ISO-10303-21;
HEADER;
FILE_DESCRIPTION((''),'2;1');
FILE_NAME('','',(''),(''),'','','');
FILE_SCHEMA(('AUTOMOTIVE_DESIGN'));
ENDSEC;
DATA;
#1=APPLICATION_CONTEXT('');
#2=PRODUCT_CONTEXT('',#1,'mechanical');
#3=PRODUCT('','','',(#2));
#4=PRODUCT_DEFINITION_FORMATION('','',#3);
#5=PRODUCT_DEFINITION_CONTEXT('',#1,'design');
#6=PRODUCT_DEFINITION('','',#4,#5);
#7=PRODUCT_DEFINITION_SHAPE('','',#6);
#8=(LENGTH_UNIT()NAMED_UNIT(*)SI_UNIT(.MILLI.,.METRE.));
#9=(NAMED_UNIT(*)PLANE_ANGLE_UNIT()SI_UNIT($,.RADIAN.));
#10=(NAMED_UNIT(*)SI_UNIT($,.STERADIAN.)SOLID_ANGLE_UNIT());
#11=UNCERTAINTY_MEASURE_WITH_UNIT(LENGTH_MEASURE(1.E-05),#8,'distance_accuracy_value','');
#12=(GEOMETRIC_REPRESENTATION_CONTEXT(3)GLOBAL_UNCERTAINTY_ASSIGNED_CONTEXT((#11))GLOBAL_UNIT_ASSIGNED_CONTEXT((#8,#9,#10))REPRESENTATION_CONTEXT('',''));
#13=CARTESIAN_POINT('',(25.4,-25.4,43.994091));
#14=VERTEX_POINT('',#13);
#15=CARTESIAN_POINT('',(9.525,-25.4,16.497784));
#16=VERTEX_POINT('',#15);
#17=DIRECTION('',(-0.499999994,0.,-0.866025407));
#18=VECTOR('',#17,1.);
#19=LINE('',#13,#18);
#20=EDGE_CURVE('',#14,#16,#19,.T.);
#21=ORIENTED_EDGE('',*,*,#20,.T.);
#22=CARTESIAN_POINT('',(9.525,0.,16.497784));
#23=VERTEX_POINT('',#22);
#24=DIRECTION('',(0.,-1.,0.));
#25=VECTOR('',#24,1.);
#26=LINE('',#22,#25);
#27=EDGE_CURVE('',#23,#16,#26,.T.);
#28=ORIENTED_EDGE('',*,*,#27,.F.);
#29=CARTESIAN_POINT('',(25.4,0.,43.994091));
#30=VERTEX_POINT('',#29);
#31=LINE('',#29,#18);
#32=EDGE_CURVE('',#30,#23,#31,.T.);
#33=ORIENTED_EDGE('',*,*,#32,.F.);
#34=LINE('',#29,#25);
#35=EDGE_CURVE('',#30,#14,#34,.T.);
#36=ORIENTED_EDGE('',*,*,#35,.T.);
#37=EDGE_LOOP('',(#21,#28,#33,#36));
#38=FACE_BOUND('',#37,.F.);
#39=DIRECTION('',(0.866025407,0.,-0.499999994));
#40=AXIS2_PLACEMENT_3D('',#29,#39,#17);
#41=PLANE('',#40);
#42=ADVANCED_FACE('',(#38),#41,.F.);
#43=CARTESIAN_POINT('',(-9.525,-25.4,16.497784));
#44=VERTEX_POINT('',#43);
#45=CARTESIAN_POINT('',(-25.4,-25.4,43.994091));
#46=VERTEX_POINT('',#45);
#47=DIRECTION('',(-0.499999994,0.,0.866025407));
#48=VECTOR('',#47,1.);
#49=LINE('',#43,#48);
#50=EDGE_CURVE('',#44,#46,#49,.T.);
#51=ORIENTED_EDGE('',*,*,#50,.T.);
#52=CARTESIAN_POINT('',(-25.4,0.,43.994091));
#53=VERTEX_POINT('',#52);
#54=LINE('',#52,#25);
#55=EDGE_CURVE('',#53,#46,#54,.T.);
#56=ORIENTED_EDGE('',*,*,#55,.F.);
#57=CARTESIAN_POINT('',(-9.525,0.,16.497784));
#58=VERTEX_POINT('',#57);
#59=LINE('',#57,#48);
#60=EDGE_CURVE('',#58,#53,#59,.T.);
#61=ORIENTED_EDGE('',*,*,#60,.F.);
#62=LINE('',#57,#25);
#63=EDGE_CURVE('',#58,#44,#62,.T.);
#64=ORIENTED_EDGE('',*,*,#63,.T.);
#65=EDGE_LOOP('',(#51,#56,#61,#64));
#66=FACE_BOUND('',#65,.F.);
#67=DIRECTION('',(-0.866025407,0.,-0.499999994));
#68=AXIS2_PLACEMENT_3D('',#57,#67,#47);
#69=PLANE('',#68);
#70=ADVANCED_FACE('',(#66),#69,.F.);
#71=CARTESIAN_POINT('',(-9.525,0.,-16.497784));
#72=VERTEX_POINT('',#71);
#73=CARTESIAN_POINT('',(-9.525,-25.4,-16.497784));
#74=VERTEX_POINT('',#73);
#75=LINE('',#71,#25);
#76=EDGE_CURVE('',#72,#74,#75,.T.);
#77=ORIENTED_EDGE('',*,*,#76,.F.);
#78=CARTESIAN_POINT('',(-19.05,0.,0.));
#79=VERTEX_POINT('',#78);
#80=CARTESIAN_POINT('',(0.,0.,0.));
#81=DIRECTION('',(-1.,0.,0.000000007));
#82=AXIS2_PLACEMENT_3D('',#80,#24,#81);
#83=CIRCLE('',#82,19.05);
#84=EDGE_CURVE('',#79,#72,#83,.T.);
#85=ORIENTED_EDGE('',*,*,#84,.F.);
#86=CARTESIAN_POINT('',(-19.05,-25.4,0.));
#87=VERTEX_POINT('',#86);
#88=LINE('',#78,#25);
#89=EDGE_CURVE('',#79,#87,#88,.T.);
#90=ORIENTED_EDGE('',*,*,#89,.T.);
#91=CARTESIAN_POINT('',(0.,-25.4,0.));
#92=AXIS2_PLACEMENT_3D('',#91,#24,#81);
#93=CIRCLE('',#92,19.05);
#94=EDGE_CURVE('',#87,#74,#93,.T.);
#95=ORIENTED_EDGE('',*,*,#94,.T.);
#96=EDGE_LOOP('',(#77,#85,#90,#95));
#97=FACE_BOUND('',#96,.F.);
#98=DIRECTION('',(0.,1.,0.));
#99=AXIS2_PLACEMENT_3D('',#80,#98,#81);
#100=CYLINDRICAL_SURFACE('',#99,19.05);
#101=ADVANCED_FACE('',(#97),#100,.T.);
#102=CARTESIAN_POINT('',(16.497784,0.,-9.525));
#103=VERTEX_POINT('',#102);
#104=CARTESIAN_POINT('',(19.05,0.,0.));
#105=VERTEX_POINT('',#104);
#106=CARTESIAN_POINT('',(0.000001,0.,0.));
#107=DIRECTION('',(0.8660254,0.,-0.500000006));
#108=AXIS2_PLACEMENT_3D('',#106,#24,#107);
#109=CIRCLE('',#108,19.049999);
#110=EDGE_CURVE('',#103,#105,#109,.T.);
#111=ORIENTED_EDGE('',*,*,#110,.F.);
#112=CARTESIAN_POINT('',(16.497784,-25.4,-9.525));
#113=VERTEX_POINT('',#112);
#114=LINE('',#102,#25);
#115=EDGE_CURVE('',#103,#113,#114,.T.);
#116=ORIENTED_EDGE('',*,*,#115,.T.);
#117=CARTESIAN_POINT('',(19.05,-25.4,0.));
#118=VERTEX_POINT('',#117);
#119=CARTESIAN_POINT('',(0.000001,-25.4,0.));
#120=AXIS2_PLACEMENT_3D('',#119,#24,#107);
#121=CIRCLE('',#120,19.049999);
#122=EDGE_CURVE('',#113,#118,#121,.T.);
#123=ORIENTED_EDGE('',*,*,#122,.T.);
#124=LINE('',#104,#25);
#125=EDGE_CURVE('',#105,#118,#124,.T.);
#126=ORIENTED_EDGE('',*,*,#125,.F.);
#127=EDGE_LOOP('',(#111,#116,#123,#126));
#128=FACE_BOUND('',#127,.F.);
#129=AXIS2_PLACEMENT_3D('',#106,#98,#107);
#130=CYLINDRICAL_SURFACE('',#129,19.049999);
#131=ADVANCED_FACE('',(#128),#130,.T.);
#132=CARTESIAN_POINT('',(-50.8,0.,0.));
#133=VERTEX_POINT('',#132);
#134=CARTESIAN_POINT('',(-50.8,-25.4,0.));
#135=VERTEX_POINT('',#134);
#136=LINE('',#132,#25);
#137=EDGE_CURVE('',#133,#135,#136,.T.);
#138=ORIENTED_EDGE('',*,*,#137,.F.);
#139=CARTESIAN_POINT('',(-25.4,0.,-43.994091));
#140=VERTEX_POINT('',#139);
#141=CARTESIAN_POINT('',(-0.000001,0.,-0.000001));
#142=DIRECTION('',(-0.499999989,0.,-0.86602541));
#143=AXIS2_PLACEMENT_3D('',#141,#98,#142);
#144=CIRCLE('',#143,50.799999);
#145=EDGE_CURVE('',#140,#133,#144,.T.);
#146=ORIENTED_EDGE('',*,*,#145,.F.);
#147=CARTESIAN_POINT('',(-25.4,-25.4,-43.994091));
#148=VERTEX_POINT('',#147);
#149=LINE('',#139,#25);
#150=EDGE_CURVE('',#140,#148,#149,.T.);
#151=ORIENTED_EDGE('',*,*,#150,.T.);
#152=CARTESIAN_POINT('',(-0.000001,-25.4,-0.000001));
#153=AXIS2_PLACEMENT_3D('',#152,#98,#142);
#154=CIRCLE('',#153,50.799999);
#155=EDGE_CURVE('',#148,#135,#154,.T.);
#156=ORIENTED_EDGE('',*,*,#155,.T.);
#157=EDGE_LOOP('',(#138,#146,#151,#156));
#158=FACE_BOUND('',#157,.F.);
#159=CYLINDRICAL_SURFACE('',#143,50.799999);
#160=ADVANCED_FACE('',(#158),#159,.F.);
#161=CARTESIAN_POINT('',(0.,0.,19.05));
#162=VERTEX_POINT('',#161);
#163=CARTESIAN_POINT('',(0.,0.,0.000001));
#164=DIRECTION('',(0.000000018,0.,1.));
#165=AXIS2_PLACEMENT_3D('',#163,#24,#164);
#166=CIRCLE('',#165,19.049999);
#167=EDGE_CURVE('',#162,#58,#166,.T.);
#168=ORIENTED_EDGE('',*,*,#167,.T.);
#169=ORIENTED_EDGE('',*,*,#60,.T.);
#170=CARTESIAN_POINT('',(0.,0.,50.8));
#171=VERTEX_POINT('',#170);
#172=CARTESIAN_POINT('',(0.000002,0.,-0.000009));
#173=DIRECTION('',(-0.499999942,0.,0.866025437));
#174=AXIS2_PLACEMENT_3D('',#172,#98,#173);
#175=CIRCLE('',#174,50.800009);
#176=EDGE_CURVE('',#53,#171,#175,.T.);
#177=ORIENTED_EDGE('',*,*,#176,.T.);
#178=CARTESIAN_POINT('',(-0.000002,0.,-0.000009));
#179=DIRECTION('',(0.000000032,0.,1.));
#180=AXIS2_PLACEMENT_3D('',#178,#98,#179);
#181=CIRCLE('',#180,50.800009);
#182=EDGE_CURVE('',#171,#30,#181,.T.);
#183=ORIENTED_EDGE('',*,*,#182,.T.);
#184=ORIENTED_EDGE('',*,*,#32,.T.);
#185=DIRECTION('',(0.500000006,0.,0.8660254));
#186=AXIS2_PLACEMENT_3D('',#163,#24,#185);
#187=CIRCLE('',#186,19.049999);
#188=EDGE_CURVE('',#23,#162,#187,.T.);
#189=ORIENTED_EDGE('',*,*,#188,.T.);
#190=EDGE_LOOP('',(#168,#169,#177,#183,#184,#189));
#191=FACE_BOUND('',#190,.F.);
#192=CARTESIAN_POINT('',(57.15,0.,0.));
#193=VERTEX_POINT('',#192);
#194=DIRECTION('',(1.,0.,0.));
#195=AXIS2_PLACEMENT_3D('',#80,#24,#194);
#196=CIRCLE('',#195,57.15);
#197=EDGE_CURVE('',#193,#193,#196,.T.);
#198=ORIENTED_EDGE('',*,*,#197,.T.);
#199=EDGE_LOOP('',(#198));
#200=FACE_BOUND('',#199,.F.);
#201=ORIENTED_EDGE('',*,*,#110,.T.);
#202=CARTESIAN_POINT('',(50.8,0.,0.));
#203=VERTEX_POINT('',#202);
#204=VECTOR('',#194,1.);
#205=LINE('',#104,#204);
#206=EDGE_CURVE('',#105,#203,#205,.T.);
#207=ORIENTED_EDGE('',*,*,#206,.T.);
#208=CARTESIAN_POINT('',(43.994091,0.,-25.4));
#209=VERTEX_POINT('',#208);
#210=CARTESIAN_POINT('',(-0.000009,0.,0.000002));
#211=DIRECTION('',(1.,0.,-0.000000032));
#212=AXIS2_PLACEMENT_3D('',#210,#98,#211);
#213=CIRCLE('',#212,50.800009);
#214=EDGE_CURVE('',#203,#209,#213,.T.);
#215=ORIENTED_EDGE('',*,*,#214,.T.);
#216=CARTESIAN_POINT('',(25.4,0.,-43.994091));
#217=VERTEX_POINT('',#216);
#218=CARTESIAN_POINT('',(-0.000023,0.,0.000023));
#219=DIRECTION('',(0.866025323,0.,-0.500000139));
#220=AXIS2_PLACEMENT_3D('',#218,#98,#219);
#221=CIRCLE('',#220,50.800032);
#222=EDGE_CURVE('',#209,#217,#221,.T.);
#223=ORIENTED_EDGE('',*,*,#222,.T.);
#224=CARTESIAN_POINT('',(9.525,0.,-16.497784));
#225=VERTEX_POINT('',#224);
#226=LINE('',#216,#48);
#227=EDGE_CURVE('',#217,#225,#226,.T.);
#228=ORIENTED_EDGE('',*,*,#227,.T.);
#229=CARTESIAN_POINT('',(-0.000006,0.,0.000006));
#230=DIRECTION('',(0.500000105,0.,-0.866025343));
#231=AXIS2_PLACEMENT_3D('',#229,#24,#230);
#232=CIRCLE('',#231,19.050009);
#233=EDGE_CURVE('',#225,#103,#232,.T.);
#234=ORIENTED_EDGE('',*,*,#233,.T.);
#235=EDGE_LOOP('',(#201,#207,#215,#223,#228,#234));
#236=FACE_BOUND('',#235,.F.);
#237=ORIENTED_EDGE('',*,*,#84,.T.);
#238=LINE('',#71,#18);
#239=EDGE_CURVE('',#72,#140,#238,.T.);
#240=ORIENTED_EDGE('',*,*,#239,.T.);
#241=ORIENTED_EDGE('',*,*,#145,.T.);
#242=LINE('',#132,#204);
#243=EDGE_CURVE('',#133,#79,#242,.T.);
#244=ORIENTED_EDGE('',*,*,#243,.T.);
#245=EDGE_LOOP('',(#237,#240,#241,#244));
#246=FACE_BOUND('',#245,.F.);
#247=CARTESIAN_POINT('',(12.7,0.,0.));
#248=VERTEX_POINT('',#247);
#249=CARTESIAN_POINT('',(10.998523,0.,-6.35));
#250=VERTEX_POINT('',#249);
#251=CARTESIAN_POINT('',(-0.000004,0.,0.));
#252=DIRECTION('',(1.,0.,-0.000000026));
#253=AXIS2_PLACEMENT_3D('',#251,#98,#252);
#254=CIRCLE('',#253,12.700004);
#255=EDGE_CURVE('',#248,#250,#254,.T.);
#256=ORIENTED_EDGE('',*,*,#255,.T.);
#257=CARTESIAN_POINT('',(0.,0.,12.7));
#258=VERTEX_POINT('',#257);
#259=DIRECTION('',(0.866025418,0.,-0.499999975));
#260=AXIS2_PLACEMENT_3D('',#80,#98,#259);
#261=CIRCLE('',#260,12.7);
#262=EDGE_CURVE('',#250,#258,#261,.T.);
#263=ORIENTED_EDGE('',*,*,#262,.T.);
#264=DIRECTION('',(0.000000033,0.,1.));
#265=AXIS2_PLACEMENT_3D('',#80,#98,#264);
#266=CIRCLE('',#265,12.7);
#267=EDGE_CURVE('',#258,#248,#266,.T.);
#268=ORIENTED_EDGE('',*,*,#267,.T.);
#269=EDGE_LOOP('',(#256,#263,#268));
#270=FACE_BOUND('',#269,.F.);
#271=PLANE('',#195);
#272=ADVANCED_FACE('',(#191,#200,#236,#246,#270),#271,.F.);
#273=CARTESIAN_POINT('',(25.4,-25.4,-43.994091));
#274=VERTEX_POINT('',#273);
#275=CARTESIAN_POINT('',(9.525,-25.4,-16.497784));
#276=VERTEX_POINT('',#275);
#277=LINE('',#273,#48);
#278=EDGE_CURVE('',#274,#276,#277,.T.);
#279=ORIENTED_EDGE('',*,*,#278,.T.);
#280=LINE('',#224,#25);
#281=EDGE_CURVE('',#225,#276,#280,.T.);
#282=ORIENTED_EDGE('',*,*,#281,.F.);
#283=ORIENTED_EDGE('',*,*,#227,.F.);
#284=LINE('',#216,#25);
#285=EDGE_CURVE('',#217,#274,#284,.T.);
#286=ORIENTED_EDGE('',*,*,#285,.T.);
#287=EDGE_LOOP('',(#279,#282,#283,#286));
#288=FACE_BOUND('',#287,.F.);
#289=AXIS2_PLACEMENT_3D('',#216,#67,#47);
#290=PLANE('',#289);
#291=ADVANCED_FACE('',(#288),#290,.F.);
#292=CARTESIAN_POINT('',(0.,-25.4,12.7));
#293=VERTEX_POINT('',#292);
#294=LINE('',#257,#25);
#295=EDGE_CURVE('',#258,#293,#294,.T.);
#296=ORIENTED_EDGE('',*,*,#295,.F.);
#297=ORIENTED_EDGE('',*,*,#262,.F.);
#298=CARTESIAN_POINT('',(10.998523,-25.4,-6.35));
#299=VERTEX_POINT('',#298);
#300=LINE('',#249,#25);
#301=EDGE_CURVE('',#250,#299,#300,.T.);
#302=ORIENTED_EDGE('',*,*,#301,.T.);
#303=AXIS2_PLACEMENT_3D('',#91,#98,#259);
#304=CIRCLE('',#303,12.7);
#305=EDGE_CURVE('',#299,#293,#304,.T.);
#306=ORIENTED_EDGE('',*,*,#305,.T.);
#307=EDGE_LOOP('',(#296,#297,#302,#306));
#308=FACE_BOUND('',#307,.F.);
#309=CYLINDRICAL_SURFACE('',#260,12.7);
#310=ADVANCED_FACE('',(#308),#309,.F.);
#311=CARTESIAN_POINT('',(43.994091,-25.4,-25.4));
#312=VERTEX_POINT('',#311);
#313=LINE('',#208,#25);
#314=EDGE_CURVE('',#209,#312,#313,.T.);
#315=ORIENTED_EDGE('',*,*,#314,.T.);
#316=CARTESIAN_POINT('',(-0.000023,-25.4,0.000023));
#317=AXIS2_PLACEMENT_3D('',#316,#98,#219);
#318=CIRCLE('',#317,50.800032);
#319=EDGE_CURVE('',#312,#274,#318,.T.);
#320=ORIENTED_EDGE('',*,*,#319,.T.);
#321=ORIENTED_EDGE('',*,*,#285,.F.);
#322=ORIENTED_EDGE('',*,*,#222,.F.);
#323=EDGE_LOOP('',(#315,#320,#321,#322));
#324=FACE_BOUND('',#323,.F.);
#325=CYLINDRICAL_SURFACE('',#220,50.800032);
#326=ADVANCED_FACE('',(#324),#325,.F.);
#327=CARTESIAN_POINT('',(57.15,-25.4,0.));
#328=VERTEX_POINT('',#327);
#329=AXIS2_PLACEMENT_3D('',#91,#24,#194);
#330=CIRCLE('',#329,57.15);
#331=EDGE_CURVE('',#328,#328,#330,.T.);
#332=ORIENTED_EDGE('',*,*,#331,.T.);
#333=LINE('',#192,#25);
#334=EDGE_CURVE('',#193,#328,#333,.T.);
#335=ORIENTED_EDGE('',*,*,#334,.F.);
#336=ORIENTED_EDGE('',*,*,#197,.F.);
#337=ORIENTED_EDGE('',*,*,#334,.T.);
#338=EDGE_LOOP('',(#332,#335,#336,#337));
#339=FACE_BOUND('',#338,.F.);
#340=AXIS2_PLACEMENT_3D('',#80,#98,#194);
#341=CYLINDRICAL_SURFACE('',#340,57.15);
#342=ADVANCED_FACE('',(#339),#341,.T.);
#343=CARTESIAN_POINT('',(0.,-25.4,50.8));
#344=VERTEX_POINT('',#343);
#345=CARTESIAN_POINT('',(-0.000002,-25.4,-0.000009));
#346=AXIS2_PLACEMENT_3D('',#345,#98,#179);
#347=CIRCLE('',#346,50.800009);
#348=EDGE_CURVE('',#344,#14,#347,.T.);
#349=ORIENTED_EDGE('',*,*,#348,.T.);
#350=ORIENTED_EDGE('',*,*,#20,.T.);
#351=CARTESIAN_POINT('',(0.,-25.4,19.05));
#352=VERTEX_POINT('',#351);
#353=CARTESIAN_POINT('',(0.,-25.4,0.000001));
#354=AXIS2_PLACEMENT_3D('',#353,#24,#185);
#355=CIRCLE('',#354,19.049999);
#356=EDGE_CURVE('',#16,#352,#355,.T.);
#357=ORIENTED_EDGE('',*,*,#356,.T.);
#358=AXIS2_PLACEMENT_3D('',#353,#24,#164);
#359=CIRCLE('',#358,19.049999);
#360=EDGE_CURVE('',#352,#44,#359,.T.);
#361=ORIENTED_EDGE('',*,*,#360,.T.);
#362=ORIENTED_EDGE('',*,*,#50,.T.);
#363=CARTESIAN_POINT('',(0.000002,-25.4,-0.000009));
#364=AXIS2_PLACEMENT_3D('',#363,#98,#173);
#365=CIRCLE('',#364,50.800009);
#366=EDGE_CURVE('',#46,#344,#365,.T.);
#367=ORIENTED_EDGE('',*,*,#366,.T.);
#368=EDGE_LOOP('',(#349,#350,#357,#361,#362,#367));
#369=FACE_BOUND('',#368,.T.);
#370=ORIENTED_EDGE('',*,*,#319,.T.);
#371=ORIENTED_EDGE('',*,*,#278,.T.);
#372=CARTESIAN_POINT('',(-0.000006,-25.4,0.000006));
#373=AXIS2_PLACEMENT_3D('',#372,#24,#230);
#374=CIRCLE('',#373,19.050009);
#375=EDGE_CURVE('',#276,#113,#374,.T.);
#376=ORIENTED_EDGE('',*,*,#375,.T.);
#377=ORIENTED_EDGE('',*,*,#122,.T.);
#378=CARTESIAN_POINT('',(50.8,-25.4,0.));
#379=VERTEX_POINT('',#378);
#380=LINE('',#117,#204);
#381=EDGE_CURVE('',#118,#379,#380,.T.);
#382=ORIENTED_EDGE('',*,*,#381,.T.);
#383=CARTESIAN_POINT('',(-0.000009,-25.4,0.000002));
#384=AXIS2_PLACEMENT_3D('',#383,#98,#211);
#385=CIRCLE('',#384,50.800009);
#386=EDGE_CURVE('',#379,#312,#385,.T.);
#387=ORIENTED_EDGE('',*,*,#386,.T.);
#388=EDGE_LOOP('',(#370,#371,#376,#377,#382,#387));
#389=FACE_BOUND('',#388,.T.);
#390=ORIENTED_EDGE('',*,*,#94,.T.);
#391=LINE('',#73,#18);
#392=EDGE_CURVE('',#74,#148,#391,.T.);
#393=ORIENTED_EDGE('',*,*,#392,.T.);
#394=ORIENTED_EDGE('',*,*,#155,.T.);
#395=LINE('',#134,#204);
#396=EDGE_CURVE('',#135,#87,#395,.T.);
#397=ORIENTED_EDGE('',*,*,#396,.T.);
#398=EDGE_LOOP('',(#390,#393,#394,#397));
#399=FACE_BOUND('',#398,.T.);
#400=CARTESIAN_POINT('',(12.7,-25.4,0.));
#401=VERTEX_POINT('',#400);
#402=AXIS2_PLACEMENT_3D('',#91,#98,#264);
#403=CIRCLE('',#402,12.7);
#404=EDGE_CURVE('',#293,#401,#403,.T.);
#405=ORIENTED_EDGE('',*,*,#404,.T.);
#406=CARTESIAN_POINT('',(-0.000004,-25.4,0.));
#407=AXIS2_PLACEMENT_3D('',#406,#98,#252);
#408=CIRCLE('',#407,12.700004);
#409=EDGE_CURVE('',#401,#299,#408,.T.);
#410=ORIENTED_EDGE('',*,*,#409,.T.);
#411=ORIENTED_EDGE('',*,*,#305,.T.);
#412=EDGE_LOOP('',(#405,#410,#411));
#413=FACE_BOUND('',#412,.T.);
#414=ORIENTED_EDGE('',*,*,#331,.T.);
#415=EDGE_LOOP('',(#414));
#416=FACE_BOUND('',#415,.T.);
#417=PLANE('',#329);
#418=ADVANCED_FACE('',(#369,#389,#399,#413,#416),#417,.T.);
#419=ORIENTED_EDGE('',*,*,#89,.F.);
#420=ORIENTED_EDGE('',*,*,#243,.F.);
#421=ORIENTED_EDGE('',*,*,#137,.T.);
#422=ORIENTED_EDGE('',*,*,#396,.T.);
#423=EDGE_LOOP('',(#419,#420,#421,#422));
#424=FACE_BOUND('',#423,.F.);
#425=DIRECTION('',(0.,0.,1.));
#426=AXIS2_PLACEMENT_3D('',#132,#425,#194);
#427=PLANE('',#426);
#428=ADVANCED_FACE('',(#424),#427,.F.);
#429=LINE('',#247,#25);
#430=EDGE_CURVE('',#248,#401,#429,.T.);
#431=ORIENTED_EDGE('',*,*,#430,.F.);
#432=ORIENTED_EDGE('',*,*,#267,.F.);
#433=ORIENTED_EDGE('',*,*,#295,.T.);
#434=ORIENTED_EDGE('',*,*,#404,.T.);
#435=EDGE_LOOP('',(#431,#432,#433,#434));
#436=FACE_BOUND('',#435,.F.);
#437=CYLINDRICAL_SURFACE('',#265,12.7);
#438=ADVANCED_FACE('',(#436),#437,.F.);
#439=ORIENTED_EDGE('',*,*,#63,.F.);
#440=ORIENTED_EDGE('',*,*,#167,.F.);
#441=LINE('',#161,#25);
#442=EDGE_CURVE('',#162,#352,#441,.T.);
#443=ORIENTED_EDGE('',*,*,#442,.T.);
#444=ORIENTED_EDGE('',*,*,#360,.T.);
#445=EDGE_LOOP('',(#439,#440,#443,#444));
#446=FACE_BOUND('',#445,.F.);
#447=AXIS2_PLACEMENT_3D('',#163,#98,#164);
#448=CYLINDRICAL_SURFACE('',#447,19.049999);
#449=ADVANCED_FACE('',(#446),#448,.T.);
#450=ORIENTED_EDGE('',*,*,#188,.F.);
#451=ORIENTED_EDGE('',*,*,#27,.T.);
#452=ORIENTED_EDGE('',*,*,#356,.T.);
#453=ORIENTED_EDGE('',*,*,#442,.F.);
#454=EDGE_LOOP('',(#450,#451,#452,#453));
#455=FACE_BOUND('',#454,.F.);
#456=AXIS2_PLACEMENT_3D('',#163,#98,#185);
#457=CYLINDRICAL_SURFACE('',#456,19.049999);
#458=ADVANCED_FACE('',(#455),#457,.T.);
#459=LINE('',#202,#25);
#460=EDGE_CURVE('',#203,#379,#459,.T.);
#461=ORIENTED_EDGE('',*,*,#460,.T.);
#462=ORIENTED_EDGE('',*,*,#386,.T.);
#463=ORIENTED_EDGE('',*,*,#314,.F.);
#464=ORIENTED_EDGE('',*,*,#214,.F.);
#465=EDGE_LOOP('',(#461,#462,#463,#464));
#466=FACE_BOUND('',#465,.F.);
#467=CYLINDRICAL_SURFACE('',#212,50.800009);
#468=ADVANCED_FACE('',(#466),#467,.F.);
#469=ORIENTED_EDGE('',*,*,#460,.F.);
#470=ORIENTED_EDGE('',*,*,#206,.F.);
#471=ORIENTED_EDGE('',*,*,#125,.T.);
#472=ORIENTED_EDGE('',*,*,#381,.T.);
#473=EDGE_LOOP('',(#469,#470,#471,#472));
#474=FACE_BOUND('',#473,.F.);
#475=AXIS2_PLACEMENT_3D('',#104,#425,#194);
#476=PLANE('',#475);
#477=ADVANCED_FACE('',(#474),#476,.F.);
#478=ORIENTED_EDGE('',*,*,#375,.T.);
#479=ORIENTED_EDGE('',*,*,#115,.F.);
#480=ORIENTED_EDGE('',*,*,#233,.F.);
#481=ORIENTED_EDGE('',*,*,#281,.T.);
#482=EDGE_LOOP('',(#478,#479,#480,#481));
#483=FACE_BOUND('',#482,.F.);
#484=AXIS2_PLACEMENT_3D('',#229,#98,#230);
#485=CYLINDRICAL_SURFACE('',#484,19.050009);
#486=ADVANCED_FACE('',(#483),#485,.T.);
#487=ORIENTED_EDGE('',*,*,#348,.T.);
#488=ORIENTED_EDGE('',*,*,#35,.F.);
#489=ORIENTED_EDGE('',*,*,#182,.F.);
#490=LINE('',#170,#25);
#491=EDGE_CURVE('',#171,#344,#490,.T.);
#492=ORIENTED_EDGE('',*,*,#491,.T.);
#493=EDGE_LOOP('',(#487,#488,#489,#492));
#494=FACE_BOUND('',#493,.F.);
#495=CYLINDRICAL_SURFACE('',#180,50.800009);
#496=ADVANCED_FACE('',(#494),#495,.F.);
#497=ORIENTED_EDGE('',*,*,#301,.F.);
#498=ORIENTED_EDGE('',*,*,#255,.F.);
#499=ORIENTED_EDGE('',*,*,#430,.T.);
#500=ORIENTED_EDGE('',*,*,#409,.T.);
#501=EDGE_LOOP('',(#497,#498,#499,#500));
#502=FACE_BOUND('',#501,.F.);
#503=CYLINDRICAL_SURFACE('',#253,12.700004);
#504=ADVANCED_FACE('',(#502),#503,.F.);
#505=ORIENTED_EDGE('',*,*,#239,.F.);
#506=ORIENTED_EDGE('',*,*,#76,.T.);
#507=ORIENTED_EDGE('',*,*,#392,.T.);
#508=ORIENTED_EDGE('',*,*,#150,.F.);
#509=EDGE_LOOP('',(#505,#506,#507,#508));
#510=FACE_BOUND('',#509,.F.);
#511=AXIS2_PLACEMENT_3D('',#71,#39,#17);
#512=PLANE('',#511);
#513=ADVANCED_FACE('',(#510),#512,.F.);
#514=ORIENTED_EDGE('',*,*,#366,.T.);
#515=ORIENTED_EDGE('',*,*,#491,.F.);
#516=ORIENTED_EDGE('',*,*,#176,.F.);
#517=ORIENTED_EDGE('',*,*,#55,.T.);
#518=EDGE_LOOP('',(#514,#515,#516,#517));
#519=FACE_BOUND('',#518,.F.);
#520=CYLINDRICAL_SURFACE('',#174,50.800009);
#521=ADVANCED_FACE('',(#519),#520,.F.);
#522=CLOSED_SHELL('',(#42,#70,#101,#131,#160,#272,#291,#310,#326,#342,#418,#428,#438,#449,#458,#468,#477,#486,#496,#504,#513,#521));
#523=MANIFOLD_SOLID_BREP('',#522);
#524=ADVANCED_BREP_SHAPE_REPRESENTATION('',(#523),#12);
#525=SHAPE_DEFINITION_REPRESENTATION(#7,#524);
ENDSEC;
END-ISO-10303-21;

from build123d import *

# Parameters (mm, degrees)
F0_R     = 57.15
F1_DEPTH = 25.4


with BuildPart() as f1:
    # F0 (on Front) → F1 (new body)
    with BuildSketch(Plane.XZ):
        Circle(F0_R)
        with BuildLine():
            ThreePointArc((-25.4, -43.994091), (-43.994091, -25.4), (-50.8, 0))
            Line((-50.8, 0), (-19.05, 0))
            ThreePointArc((-19.05, 0), (-16.497784, -9.525), (-9.525, -16.497784))
            Line((-9.525, -16.497784), (-25.4, -43.994091))
        make_face(mode=Mode.SUBTRACT)
        with BuildLine():
            ThreePointArc((9.525, -16.497784), (13.470384, -13.470384), (16.497784, -9.525))
            ThreePointArc((16.497784, -9.525), (18.400887, -4.930503), (19.05, 0))
            Line((19.05, 0), (50.8, 0))
            ThreePointArc((50.8, 0), (49.069032, -13.148007), (43.994091, -25.4))
            ThreePointArc((43.994091, -25.4), (35.921024, -35.921024), (25.4, -43.994091))
            Line((25.4, -43.994091), (9.525, -16.497784))
        make_face(mode=Mode.SUBTRACT)
        with BuildLine():
            ThreePointArc((10.998523, -6.35), (-10.998523, -6.35), (0, 12.7))
            ThreePointArc((0, 12.7), (8.980256, 8.980256), (12.7, 0))
            ThreePointArc((12.7, 0), (12.267258, -3.287002), (10.998523, -6.35))
        make_face(mode=Mode.SUBTRACT)
        with BuildLine():
            ThreePointArc((9.525, 16.497784), (4.930503, 18.400887), (0, 19.05))
            ThreePointArc((0, 19.05), (-4.930503, 18.400887), (-9.525, 16.497784))
            Line((-9.525, 16.497784), (-25.4, 43.994091))
            ThreePointArc((-25.4, 43.994091), (-13.148007, 49.069032), (0, 50.8))
            ThreePointArc((0, 50.8), (13.148007, 49.069032), (25.4, 43.994091))
            Line((25.4, 43.994091), (9.525, 16.497784))
        make_face(mode=Mode.SUBTRACT)
    extrude(amount=F1_DEPTH)


solid = f1.part
